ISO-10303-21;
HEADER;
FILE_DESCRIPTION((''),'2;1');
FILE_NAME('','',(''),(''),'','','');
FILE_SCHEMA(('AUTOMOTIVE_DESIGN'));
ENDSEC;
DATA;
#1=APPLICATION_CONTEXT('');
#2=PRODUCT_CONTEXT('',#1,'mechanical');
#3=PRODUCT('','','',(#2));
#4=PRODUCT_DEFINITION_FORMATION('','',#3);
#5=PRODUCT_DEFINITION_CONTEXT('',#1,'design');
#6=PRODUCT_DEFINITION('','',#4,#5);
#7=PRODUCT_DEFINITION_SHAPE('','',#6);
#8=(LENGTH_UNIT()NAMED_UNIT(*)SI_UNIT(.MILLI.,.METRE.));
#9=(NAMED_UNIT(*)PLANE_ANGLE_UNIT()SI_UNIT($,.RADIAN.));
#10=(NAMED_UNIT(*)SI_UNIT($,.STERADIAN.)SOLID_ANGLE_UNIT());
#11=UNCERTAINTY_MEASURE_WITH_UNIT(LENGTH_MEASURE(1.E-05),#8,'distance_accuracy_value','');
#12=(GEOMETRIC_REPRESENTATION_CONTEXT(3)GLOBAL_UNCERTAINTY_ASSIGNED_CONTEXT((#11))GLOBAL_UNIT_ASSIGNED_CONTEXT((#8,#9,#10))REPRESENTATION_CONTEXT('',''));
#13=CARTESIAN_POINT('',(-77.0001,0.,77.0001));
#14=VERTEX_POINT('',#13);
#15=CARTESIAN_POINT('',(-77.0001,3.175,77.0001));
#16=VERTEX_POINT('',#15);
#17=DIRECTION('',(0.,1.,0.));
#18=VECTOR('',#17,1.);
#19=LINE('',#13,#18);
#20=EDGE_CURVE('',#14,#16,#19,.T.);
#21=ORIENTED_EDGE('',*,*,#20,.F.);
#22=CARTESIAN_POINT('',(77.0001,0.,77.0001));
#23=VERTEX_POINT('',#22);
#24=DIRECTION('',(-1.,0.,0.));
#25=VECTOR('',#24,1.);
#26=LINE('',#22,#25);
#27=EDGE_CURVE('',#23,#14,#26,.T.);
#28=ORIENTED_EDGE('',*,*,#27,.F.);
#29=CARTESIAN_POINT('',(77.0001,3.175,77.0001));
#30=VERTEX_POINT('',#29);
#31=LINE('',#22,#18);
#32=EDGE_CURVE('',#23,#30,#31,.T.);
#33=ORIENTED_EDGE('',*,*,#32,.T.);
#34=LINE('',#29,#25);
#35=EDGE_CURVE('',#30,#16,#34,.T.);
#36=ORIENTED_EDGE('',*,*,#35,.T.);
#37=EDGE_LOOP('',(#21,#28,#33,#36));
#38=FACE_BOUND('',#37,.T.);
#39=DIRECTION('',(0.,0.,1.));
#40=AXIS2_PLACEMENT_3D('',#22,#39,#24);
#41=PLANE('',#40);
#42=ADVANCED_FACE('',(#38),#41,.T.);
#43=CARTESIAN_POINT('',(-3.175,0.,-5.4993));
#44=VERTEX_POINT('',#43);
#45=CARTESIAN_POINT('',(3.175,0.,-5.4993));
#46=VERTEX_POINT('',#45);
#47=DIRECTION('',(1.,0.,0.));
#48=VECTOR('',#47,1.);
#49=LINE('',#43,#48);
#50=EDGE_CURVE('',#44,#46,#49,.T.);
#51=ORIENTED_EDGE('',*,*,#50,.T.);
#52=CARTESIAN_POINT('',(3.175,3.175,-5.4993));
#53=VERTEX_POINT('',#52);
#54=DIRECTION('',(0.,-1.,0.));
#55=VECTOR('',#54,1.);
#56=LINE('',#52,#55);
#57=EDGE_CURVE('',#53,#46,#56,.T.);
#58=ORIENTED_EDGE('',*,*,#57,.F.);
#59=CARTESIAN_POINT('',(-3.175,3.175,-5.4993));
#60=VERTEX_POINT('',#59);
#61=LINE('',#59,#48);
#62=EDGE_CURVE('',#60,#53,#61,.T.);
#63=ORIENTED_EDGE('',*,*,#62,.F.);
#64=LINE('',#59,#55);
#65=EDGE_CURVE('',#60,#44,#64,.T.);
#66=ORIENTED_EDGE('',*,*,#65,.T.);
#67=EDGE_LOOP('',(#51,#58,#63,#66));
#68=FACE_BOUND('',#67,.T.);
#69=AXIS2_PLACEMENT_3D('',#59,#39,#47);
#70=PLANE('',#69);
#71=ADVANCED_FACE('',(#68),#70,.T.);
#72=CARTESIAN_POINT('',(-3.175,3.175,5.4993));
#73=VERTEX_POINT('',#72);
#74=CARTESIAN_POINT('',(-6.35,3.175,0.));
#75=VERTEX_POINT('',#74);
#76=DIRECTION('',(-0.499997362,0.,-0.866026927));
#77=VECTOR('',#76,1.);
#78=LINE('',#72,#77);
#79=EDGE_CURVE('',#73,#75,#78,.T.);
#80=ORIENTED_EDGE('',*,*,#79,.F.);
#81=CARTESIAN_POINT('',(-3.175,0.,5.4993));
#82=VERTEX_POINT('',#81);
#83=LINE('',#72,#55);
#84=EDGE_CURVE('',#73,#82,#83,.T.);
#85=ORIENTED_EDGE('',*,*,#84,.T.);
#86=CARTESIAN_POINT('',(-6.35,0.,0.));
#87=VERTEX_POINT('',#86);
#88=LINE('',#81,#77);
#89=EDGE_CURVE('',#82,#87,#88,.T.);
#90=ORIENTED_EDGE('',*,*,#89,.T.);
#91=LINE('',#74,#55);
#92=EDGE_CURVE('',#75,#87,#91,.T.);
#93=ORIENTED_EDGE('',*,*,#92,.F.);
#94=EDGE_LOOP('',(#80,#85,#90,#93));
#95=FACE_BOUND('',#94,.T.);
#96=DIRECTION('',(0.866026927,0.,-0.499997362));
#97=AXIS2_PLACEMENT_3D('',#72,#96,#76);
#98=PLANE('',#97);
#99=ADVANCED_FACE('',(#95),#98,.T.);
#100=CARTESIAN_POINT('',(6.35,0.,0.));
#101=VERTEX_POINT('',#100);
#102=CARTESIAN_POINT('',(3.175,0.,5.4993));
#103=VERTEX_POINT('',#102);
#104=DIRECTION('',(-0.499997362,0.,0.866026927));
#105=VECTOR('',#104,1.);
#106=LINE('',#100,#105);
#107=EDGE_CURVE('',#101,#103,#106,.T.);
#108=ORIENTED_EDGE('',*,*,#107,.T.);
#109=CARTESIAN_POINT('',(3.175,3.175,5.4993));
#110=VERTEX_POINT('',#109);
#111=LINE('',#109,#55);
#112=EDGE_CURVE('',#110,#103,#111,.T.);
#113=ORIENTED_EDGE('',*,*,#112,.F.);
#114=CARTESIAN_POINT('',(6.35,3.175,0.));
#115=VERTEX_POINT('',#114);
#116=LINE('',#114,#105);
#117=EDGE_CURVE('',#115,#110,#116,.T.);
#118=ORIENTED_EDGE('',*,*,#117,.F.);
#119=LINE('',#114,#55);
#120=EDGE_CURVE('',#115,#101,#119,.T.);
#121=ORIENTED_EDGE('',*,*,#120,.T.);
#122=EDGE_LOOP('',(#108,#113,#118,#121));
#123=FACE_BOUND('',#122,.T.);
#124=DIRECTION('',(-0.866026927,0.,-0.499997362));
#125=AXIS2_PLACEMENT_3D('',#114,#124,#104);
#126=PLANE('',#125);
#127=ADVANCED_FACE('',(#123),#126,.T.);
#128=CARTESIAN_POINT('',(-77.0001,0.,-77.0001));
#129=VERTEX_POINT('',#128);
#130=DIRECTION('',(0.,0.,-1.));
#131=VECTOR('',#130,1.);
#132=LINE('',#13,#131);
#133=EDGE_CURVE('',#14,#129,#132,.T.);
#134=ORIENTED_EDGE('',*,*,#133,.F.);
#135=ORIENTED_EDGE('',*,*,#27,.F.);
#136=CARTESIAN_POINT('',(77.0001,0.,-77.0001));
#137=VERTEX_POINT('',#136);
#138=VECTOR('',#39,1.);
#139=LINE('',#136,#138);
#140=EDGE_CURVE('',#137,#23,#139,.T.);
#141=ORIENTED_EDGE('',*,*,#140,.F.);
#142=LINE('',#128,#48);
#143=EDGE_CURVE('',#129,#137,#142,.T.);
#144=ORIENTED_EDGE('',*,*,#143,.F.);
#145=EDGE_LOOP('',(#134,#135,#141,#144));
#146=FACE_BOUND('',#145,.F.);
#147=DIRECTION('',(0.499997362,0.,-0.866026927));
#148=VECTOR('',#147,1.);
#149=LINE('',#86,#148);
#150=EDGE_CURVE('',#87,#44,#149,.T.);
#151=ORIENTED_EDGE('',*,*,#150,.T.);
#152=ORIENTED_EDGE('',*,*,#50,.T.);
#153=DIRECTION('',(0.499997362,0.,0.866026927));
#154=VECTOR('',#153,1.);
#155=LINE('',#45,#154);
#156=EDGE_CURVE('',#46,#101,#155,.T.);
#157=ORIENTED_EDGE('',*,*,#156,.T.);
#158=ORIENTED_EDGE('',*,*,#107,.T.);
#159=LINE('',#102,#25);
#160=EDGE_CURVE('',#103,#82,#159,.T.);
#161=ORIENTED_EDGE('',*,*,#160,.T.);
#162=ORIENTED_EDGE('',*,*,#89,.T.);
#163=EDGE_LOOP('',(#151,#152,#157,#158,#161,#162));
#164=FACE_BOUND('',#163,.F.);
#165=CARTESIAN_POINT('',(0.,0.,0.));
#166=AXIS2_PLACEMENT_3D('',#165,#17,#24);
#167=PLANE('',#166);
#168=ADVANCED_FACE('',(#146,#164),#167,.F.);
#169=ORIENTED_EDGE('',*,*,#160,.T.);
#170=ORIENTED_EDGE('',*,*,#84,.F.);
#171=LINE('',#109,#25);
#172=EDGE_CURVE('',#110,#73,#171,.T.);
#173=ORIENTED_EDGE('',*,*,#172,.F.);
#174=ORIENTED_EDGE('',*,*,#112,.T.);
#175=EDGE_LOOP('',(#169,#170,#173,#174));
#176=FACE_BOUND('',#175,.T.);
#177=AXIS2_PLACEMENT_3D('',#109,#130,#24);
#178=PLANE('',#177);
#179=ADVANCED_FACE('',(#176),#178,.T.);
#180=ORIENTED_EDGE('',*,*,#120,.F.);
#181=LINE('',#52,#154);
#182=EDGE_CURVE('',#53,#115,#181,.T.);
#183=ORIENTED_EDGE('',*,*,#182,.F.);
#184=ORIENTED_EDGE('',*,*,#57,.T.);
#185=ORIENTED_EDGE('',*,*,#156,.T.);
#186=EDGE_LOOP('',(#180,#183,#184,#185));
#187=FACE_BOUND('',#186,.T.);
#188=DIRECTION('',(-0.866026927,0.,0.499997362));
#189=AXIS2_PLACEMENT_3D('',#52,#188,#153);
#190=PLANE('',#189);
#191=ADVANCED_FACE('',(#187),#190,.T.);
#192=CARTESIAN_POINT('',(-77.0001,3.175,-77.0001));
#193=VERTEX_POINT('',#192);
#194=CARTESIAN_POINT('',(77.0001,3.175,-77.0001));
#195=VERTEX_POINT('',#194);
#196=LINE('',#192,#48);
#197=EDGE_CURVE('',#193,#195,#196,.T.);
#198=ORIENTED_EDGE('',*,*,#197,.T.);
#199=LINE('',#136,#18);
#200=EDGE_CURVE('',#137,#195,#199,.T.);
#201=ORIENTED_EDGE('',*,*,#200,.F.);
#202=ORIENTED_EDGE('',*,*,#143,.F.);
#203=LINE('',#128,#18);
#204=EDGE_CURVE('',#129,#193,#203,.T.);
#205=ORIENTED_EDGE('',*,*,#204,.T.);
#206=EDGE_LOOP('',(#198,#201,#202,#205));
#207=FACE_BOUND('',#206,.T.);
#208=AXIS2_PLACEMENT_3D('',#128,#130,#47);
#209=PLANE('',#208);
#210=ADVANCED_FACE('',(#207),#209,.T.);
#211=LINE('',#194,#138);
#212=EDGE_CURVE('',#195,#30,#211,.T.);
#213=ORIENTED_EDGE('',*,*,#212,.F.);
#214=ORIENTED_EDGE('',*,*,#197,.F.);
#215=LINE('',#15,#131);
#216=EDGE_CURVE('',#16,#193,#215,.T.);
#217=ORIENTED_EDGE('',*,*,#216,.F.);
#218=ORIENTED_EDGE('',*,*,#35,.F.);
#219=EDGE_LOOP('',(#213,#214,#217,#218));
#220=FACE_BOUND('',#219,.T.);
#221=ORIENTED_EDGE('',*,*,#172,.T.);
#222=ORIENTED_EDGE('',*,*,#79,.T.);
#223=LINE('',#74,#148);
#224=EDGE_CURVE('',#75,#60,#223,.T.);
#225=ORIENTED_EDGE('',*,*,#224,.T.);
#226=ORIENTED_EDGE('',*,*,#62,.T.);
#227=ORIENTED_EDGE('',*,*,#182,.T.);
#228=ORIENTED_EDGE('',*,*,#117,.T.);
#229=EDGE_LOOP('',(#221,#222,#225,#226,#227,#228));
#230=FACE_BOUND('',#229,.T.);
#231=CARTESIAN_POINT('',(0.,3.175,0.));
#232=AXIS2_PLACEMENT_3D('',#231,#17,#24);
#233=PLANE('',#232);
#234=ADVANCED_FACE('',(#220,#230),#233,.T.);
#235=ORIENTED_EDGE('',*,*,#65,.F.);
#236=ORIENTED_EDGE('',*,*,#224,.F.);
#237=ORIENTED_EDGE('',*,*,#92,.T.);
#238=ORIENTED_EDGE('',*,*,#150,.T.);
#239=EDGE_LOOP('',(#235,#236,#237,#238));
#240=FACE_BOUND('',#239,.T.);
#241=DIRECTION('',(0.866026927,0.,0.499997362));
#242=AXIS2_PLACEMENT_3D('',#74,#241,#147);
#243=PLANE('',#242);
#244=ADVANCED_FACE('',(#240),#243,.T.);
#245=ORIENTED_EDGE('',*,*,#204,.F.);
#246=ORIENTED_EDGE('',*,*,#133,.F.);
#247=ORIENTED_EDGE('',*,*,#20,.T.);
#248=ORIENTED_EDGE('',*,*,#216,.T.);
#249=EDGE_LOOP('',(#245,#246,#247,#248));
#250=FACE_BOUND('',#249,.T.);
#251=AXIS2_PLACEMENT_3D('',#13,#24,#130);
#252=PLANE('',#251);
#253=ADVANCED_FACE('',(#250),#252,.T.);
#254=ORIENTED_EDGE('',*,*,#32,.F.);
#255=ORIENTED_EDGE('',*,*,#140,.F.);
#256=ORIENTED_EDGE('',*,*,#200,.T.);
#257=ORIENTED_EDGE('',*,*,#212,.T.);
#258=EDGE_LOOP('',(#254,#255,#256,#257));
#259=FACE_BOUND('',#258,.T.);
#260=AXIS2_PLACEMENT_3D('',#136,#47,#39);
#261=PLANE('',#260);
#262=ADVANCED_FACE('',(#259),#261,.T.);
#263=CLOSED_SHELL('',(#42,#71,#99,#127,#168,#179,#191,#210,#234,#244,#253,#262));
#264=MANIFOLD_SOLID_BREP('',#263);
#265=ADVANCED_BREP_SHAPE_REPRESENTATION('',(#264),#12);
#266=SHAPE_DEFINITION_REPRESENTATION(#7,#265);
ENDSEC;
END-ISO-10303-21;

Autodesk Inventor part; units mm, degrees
sketch "Sketch1" plane through (0, 0, 0) normal (0, 1, 0) x (-1, 0, 0)
  circle A0 centre (0, 0) radius 76.2
  line L0 (-77.0001, 77.0001) -> (77.0001, 77.0001)
  line L1 (77.0001, 77.0001) -> (77.0001, -77.0001)
  line L2 (77.0001, -77.0001) -> (-77.0001, -77.0001)
  line L3 (-77.0001, -77.0001) -> (-77.0001, 77.0001)
  line L4 (-77.0001, 77.0001) -> (77.0001, -77.0001) construction
  line L5 (77.0001, 77.0001) -> (-77.0001, -77.0001) construction
  dimension "d0" = 152.4
  dimension "d7" = 154.0002
  dimension "d8" = 154.0002
extrude "Extrusion1" add sketch "Sketch1" along normal blind 3.175 contours A0 | L0 L1 L2 L3
sketch "Sketch2" plane through (0, 3.175, 0) normal (0, 1, 0) x (1, 0, 0)
  line L0 (0, 0) -> (-6.35, 0)
  line L1 (-6.35, 0) -> (-3.175, 5.4993)
  line L2 (-3.175, 5.4993) -> (3.175, 5.4993)
  line L3 (3.175, 5.4993) -> (6.35, 0)
  line L4 (6.35, 0) -> (3.175, -5.4993)
  line L5 (3.175, -5.4993) -> (-3.175, -5.4993)
  line L6 (-3.175, -5.4993) -> (-6.35, 0)
  dimension "d4" = 6.35
extrude "Extrusion2" cut sketch "Sketch2" against normal blind 3.175
ref_plane "Work Plane1" through (0, 0, 77.0001) normal (1, 0, 0) x (0, 0, -1)
sketch "Sketch4" plane through (0, 3.175, 0) normal (0, 1, 0) x (1, 0, 0)
  circle A0 centre (0, 0) radius 7.8134
ref_plane "Work Plane2" through (0, 0, -77.0001) normal (-1, 0, 0) x (0, 0, 1)
ref_plane "Work Plane3" through (-77.0001, 0, 0) normal (0, 0, 1) x (1, 0, 0)
properties part number "TurretGear"
